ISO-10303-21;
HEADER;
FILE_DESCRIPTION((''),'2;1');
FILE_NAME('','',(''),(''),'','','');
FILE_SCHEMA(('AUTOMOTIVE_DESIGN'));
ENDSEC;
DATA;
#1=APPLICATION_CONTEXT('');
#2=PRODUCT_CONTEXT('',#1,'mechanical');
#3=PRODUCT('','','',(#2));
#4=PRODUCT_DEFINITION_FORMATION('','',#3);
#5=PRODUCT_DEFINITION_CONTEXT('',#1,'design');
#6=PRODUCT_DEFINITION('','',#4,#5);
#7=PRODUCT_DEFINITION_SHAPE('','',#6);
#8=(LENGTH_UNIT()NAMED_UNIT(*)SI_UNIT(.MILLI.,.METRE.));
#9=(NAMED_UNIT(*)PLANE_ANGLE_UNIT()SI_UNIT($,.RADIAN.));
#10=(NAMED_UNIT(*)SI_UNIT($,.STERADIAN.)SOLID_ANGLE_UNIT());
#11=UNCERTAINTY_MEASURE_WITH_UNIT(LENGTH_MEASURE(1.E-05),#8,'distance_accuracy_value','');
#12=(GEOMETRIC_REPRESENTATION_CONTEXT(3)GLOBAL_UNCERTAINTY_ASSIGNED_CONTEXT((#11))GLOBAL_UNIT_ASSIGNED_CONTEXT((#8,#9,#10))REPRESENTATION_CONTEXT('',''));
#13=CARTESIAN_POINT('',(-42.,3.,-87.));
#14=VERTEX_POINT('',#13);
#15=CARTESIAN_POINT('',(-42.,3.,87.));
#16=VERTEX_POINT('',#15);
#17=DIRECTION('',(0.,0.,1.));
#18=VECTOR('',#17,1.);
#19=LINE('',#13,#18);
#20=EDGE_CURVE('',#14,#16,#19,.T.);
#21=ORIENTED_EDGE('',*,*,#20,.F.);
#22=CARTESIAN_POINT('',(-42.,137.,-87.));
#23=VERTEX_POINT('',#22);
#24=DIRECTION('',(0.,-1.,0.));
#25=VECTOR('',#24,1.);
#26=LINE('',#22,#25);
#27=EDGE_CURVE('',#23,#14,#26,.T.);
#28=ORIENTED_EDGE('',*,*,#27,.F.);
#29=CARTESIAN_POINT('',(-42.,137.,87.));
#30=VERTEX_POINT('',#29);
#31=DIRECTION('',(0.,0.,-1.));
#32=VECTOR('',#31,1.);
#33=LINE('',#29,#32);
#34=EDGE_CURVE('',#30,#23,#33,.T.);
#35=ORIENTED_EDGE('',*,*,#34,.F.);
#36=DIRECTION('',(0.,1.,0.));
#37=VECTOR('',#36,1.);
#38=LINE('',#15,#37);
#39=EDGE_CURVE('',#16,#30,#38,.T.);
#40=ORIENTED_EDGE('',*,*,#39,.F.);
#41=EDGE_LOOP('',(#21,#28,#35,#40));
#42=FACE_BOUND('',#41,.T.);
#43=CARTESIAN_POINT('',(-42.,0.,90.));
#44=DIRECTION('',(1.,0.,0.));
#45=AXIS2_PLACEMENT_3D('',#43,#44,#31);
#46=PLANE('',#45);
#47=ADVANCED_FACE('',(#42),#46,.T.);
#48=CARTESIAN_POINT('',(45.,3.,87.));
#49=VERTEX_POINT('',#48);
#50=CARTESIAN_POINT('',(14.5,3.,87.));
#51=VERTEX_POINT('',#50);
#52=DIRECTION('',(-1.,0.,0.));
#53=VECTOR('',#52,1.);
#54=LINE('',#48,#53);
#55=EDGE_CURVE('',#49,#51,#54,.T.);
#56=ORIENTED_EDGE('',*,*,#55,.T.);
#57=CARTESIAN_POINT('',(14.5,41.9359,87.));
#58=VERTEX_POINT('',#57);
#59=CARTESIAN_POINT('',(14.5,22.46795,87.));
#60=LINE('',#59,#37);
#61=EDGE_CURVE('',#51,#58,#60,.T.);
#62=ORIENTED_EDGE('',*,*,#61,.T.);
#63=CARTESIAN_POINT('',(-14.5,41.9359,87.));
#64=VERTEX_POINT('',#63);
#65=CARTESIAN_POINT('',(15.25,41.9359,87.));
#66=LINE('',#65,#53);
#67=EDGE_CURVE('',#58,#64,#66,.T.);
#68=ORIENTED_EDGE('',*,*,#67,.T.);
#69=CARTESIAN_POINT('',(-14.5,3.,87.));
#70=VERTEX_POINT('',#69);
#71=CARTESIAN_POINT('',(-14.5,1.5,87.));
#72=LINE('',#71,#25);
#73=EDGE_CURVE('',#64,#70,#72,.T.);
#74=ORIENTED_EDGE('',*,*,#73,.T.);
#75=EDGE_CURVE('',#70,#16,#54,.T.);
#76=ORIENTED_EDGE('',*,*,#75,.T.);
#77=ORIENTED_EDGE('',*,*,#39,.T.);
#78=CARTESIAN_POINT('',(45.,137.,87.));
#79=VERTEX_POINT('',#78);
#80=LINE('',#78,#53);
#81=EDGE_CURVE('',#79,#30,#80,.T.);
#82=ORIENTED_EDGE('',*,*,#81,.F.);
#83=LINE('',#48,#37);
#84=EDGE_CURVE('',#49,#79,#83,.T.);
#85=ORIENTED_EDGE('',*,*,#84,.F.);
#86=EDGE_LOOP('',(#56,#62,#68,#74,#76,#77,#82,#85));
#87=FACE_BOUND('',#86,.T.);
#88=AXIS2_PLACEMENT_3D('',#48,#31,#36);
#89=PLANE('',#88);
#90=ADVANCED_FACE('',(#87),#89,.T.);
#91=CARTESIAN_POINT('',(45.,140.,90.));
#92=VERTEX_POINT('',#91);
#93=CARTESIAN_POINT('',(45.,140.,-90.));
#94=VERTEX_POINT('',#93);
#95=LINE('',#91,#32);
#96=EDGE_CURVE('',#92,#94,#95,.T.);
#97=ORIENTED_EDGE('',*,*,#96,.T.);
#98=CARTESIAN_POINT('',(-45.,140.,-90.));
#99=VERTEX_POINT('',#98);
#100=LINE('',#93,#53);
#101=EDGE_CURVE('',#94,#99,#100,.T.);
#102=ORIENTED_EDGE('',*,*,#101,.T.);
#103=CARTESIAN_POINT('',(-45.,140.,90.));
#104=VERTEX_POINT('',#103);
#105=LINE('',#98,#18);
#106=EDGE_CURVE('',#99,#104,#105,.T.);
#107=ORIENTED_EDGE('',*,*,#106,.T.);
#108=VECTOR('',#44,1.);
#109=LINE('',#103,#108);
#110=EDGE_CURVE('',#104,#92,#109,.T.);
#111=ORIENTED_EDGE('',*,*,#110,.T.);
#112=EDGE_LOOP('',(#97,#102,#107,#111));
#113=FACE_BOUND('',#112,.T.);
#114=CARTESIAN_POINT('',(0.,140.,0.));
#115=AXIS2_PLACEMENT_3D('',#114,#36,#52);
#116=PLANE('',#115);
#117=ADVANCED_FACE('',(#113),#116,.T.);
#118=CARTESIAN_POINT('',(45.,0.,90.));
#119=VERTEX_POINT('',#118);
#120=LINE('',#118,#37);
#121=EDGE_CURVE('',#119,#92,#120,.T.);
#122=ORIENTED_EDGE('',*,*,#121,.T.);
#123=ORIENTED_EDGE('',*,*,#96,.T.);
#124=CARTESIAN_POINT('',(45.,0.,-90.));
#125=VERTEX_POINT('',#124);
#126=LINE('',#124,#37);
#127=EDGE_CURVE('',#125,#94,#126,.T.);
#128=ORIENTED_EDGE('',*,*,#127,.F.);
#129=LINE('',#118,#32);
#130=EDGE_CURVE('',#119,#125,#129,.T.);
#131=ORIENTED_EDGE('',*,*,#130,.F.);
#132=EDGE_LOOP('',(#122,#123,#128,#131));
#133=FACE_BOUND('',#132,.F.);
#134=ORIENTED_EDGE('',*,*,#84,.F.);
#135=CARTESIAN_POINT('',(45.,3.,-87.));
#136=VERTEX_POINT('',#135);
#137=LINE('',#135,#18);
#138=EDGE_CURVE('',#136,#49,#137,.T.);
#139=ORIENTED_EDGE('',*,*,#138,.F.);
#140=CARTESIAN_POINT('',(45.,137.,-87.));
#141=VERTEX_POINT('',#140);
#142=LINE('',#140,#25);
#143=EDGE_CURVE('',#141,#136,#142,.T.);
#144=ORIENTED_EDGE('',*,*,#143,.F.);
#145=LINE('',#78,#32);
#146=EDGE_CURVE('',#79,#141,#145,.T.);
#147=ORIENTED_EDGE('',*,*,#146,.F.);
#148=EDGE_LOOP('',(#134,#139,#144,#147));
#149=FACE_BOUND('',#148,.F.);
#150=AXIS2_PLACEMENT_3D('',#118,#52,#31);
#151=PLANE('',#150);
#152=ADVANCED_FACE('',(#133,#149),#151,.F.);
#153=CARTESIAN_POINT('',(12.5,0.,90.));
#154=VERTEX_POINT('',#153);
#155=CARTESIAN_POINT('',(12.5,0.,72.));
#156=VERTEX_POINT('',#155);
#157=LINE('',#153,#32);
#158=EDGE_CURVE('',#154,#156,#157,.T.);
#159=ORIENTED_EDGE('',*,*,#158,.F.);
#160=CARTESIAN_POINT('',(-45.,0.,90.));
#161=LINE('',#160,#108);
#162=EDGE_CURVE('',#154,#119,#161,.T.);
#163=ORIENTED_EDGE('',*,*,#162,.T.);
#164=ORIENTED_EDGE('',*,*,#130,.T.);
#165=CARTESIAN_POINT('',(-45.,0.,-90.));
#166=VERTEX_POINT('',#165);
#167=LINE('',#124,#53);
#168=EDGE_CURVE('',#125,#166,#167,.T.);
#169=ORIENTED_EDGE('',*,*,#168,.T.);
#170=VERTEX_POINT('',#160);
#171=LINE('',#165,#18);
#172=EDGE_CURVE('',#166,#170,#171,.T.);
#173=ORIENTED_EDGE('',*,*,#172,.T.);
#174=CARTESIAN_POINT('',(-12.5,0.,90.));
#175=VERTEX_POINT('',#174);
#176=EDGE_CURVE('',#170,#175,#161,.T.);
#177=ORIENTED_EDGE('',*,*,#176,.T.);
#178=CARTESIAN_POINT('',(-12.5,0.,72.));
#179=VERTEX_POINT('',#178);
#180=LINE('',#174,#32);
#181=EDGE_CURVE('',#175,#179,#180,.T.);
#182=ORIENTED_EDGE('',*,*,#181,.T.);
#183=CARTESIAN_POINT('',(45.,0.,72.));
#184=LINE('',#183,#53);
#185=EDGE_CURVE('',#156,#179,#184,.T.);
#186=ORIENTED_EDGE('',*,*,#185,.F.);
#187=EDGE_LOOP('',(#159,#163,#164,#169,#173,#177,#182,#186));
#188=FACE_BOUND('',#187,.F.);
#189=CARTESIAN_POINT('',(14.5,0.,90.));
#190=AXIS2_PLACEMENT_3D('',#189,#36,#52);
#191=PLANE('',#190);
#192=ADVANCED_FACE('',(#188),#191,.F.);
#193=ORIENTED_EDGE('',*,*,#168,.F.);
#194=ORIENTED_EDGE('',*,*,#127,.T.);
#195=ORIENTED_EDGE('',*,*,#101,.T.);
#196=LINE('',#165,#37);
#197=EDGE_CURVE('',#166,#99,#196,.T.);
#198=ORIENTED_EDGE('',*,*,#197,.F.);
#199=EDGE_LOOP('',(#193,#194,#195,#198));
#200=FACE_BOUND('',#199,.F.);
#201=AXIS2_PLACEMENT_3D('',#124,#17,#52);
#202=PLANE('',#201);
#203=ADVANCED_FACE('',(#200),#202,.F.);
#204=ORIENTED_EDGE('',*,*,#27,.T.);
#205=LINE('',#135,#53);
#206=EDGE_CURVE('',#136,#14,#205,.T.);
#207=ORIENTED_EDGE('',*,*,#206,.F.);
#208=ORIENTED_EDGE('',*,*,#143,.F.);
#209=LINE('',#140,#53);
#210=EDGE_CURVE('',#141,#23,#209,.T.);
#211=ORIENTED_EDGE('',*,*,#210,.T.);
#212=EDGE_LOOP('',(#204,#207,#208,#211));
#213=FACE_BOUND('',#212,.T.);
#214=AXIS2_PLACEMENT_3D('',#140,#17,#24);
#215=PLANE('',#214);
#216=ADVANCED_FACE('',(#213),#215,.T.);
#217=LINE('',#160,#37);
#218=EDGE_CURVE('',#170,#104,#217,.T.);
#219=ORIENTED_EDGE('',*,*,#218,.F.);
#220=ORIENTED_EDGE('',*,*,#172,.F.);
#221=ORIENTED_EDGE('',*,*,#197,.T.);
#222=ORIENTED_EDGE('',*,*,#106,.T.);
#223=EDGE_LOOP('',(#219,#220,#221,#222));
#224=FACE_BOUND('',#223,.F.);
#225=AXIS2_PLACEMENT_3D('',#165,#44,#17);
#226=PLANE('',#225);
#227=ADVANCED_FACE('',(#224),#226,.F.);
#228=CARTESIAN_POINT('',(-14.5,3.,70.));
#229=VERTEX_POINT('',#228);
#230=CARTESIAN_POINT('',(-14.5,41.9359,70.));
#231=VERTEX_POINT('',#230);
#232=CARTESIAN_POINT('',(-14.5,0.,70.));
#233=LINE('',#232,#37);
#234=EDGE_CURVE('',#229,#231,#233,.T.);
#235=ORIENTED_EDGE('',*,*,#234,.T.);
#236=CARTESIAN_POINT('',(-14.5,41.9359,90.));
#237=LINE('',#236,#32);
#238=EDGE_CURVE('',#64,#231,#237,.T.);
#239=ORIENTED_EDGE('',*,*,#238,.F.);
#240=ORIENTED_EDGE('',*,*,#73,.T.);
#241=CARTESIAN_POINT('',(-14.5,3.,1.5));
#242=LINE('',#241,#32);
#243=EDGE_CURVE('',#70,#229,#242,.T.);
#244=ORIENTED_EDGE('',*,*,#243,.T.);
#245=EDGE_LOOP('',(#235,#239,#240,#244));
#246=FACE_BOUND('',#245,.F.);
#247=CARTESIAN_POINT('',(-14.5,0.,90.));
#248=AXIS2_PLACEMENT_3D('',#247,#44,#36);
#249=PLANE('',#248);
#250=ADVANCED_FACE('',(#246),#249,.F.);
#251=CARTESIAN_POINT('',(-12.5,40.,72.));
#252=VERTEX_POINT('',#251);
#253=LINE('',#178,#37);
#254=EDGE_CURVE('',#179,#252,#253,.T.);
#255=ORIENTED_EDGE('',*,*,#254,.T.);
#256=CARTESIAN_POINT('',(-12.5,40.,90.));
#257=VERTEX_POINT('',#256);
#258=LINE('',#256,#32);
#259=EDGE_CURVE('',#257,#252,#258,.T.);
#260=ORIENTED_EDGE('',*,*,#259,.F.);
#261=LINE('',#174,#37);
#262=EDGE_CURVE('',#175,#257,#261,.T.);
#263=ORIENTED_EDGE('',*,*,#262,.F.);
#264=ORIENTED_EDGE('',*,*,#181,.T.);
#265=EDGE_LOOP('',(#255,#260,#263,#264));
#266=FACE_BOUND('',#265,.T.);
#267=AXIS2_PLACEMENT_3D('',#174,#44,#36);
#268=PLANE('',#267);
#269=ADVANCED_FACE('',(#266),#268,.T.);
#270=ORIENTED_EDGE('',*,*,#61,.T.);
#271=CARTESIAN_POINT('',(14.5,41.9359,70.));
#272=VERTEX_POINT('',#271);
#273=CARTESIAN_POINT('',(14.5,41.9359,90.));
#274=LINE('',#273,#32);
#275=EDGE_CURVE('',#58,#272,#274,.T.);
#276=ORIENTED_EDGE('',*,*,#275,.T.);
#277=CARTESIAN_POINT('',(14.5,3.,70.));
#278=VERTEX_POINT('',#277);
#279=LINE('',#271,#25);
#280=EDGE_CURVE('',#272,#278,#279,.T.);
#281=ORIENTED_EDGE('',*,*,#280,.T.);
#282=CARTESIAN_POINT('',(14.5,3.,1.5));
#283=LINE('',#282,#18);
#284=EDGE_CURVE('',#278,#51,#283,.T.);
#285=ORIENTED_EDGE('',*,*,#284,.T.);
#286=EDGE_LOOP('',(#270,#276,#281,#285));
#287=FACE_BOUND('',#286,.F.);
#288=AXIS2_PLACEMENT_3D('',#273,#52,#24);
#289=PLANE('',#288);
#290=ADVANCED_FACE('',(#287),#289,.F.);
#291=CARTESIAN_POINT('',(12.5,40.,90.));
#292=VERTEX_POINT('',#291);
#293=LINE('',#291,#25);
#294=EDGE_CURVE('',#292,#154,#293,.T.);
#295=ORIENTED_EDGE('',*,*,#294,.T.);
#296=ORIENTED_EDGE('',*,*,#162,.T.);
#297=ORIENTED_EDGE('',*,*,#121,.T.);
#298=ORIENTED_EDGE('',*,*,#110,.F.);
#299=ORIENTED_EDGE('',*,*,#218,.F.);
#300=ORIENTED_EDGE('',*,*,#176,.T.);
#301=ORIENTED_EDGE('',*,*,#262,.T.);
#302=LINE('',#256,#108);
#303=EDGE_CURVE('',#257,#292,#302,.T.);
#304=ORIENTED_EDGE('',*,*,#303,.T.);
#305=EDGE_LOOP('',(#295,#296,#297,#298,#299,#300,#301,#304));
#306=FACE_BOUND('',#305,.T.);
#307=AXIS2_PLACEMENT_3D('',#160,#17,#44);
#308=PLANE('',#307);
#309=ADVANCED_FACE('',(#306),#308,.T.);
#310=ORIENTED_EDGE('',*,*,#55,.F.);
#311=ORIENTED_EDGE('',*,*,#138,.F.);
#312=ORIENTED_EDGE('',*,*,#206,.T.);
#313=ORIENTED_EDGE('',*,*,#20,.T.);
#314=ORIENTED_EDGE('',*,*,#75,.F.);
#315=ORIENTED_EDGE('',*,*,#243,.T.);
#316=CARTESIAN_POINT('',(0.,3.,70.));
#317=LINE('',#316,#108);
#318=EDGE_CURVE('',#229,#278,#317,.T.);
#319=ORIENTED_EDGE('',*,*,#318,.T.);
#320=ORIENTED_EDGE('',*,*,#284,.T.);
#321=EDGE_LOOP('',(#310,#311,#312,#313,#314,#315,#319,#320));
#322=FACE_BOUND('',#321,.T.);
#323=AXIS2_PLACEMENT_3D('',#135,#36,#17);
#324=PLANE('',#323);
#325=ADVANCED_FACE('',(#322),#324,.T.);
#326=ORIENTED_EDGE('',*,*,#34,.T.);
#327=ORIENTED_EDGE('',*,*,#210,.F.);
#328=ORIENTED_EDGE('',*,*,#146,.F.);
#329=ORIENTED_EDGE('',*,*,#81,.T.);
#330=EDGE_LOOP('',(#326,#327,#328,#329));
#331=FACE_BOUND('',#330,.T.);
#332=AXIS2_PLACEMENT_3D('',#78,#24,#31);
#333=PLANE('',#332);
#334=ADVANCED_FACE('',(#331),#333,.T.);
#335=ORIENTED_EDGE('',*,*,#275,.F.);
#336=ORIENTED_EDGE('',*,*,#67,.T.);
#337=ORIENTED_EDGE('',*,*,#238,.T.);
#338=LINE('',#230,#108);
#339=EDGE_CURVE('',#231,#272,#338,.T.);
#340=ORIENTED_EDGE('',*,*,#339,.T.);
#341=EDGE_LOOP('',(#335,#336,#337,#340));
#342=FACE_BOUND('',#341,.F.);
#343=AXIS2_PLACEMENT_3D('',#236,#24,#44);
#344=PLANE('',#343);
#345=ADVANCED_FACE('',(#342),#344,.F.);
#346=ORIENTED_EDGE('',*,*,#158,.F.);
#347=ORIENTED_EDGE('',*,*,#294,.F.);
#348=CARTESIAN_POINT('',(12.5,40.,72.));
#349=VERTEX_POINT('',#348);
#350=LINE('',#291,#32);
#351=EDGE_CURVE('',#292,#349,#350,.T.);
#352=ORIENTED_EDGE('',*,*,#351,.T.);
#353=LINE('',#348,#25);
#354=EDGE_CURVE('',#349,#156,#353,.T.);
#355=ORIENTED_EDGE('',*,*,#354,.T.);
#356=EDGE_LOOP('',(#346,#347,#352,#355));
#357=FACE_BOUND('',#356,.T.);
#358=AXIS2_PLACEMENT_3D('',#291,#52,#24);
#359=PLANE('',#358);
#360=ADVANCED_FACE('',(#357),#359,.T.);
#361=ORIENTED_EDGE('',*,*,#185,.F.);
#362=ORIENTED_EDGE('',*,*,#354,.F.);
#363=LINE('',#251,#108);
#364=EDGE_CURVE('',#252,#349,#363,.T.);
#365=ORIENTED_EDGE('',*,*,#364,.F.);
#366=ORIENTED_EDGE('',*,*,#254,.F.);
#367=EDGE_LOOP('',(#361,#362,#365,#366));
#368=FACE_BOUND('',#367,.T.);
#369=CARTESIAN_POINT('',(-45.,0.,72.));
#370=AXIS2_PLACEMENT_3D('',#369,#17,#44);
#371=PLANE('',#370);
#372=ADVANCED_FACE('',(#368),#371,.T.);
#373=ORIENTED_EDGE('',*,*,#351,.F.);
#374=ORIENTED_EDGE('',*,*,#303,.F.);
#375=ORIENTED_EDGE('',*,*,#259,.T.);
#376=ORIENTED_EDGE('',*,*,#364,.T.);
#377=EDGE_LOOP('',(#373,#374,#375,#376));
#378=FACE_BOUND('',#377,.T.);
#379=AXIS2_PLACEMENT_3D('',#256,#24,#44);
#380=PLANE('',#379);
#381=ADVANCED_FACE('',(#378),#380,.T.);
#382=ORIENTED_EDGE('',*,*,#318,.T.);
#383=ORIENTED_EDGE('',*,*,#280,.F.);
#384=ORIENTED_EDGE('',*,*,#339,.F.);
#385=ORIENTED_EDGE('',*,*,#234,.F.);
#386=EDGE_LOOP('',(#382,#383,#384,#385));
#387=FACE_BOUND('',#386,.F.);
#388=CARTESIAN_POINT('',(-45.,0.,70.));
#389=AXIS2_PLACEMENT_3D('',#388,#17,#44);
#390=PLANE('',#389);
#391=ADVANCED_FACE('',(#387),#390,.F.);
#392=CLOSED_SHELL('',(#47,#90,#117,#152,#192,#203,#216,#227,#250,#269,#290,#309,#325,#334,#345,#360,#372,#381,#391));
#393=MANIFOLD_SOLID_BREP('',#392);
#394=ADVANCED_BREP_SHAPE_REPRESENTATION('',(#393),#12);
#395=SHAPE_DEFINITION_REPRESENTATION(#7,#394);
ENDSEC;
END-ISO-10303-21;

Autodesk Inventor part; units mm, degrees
ref_plane "YZ Plane" through (0, 0, 0) normal (1, 0, 0) x (0, 1, 0)
ref_plane "XZ Plane" through (0, 0, 0) normal (0, 1, 0) x (-1, 0, 0)
ref_plane "XY Plane" through (0, 0, 0) normal (0, 0, 1) x (1, 0, 0)
sketch "Sketch1" plane through (0, 0, 0) normal (0, 1, 0) x (-1, 0, 0)
  line L0 (45, 90) -> (-45, 90)
  line L1 (-45, 90) -> (-45, -90)
  line L2 (-45, -90) -> (45, -90)
  line L3 (45, -90) -> (45, 90)
  point P0 (0, 0)
  dimension "d0" = 180
  dimension "d1" = 90
  dimension "d2" = 45
  dimension "d3" = 90
extrude "Extrusion1" add sketch "Sketch1" along normal blind 140
sketch "Sketch2" plane through (45, 0, 90) normal (1, 0, 0) x (0, 0, -1)
  line L0 (3, 137) -> (177, 137)
  line L1 (177, 137) -> (177, 3)
  line L2 (177, 3) -> (3, 3)
  line L3 (3, 3) -> (3, 137)
  line L4 (0, 140) -> (180, 140) projected
  line L5 (0, 0) -> (0, 140) projected
  point P0 (90, 0)
  dimension "d6" = 3
  dimension "d7" = 3
  dimension "d8" = 174
  dimension "d9" = 134
extrude "Extrusion2" cut sketch "Sketch2" against normal blind 87
sketch "Sketch3" plane through (-45, 0, 90) normal (0, 0, 1) x (1, 0, 0)
  line L0 (90, 0) -> (0, 0) projected
  line L1 (32.5, 40) -> (57.5, 40)
  line L2 (57.5, 40) -> (57.5, 0)
  line L3 (57.5, 0) -> (32.5, 0)
  line L4 (32.5, 0) -> (32.5, 40)
  line L5 (90, 0) -> (90, 140) projected
  point P0 (45, 0)
  point P1 (57.5, 20)
  point P2 (32.5, 20)
  dimension "d12" = 25
  dimension "d13" = 32.5
  dimension "d14" = 40
sketch "Sketch4" plane through (-45, 0, 90) normal (0, 0, 1) x (1, 0, 0)
  line L0 (90, 0) -> (0, 0) projected
  line L1 (30.5, 41.9359) -> (59.5, 41.9359)
  line L2 (59.5, 41.9359) -> (59.5, 0)
  line L3 (59.5, 0) -> (30.5, 0)
  line L4 (30.5, 0) -> (30.5, 41.9359)
  line L5 (90, 0) -> (90, 140) projected
  point P0 (45, 0)
  dimension "d15" = 29
  dimension "d16" = 30.5
extrude "Extrusion3" add sketch "Sketch4" against normal blind 20
extrude "Extrusion4" cut sketch "Sketch3" against normal blind 18
properties part number "Self_balancing_robot"
